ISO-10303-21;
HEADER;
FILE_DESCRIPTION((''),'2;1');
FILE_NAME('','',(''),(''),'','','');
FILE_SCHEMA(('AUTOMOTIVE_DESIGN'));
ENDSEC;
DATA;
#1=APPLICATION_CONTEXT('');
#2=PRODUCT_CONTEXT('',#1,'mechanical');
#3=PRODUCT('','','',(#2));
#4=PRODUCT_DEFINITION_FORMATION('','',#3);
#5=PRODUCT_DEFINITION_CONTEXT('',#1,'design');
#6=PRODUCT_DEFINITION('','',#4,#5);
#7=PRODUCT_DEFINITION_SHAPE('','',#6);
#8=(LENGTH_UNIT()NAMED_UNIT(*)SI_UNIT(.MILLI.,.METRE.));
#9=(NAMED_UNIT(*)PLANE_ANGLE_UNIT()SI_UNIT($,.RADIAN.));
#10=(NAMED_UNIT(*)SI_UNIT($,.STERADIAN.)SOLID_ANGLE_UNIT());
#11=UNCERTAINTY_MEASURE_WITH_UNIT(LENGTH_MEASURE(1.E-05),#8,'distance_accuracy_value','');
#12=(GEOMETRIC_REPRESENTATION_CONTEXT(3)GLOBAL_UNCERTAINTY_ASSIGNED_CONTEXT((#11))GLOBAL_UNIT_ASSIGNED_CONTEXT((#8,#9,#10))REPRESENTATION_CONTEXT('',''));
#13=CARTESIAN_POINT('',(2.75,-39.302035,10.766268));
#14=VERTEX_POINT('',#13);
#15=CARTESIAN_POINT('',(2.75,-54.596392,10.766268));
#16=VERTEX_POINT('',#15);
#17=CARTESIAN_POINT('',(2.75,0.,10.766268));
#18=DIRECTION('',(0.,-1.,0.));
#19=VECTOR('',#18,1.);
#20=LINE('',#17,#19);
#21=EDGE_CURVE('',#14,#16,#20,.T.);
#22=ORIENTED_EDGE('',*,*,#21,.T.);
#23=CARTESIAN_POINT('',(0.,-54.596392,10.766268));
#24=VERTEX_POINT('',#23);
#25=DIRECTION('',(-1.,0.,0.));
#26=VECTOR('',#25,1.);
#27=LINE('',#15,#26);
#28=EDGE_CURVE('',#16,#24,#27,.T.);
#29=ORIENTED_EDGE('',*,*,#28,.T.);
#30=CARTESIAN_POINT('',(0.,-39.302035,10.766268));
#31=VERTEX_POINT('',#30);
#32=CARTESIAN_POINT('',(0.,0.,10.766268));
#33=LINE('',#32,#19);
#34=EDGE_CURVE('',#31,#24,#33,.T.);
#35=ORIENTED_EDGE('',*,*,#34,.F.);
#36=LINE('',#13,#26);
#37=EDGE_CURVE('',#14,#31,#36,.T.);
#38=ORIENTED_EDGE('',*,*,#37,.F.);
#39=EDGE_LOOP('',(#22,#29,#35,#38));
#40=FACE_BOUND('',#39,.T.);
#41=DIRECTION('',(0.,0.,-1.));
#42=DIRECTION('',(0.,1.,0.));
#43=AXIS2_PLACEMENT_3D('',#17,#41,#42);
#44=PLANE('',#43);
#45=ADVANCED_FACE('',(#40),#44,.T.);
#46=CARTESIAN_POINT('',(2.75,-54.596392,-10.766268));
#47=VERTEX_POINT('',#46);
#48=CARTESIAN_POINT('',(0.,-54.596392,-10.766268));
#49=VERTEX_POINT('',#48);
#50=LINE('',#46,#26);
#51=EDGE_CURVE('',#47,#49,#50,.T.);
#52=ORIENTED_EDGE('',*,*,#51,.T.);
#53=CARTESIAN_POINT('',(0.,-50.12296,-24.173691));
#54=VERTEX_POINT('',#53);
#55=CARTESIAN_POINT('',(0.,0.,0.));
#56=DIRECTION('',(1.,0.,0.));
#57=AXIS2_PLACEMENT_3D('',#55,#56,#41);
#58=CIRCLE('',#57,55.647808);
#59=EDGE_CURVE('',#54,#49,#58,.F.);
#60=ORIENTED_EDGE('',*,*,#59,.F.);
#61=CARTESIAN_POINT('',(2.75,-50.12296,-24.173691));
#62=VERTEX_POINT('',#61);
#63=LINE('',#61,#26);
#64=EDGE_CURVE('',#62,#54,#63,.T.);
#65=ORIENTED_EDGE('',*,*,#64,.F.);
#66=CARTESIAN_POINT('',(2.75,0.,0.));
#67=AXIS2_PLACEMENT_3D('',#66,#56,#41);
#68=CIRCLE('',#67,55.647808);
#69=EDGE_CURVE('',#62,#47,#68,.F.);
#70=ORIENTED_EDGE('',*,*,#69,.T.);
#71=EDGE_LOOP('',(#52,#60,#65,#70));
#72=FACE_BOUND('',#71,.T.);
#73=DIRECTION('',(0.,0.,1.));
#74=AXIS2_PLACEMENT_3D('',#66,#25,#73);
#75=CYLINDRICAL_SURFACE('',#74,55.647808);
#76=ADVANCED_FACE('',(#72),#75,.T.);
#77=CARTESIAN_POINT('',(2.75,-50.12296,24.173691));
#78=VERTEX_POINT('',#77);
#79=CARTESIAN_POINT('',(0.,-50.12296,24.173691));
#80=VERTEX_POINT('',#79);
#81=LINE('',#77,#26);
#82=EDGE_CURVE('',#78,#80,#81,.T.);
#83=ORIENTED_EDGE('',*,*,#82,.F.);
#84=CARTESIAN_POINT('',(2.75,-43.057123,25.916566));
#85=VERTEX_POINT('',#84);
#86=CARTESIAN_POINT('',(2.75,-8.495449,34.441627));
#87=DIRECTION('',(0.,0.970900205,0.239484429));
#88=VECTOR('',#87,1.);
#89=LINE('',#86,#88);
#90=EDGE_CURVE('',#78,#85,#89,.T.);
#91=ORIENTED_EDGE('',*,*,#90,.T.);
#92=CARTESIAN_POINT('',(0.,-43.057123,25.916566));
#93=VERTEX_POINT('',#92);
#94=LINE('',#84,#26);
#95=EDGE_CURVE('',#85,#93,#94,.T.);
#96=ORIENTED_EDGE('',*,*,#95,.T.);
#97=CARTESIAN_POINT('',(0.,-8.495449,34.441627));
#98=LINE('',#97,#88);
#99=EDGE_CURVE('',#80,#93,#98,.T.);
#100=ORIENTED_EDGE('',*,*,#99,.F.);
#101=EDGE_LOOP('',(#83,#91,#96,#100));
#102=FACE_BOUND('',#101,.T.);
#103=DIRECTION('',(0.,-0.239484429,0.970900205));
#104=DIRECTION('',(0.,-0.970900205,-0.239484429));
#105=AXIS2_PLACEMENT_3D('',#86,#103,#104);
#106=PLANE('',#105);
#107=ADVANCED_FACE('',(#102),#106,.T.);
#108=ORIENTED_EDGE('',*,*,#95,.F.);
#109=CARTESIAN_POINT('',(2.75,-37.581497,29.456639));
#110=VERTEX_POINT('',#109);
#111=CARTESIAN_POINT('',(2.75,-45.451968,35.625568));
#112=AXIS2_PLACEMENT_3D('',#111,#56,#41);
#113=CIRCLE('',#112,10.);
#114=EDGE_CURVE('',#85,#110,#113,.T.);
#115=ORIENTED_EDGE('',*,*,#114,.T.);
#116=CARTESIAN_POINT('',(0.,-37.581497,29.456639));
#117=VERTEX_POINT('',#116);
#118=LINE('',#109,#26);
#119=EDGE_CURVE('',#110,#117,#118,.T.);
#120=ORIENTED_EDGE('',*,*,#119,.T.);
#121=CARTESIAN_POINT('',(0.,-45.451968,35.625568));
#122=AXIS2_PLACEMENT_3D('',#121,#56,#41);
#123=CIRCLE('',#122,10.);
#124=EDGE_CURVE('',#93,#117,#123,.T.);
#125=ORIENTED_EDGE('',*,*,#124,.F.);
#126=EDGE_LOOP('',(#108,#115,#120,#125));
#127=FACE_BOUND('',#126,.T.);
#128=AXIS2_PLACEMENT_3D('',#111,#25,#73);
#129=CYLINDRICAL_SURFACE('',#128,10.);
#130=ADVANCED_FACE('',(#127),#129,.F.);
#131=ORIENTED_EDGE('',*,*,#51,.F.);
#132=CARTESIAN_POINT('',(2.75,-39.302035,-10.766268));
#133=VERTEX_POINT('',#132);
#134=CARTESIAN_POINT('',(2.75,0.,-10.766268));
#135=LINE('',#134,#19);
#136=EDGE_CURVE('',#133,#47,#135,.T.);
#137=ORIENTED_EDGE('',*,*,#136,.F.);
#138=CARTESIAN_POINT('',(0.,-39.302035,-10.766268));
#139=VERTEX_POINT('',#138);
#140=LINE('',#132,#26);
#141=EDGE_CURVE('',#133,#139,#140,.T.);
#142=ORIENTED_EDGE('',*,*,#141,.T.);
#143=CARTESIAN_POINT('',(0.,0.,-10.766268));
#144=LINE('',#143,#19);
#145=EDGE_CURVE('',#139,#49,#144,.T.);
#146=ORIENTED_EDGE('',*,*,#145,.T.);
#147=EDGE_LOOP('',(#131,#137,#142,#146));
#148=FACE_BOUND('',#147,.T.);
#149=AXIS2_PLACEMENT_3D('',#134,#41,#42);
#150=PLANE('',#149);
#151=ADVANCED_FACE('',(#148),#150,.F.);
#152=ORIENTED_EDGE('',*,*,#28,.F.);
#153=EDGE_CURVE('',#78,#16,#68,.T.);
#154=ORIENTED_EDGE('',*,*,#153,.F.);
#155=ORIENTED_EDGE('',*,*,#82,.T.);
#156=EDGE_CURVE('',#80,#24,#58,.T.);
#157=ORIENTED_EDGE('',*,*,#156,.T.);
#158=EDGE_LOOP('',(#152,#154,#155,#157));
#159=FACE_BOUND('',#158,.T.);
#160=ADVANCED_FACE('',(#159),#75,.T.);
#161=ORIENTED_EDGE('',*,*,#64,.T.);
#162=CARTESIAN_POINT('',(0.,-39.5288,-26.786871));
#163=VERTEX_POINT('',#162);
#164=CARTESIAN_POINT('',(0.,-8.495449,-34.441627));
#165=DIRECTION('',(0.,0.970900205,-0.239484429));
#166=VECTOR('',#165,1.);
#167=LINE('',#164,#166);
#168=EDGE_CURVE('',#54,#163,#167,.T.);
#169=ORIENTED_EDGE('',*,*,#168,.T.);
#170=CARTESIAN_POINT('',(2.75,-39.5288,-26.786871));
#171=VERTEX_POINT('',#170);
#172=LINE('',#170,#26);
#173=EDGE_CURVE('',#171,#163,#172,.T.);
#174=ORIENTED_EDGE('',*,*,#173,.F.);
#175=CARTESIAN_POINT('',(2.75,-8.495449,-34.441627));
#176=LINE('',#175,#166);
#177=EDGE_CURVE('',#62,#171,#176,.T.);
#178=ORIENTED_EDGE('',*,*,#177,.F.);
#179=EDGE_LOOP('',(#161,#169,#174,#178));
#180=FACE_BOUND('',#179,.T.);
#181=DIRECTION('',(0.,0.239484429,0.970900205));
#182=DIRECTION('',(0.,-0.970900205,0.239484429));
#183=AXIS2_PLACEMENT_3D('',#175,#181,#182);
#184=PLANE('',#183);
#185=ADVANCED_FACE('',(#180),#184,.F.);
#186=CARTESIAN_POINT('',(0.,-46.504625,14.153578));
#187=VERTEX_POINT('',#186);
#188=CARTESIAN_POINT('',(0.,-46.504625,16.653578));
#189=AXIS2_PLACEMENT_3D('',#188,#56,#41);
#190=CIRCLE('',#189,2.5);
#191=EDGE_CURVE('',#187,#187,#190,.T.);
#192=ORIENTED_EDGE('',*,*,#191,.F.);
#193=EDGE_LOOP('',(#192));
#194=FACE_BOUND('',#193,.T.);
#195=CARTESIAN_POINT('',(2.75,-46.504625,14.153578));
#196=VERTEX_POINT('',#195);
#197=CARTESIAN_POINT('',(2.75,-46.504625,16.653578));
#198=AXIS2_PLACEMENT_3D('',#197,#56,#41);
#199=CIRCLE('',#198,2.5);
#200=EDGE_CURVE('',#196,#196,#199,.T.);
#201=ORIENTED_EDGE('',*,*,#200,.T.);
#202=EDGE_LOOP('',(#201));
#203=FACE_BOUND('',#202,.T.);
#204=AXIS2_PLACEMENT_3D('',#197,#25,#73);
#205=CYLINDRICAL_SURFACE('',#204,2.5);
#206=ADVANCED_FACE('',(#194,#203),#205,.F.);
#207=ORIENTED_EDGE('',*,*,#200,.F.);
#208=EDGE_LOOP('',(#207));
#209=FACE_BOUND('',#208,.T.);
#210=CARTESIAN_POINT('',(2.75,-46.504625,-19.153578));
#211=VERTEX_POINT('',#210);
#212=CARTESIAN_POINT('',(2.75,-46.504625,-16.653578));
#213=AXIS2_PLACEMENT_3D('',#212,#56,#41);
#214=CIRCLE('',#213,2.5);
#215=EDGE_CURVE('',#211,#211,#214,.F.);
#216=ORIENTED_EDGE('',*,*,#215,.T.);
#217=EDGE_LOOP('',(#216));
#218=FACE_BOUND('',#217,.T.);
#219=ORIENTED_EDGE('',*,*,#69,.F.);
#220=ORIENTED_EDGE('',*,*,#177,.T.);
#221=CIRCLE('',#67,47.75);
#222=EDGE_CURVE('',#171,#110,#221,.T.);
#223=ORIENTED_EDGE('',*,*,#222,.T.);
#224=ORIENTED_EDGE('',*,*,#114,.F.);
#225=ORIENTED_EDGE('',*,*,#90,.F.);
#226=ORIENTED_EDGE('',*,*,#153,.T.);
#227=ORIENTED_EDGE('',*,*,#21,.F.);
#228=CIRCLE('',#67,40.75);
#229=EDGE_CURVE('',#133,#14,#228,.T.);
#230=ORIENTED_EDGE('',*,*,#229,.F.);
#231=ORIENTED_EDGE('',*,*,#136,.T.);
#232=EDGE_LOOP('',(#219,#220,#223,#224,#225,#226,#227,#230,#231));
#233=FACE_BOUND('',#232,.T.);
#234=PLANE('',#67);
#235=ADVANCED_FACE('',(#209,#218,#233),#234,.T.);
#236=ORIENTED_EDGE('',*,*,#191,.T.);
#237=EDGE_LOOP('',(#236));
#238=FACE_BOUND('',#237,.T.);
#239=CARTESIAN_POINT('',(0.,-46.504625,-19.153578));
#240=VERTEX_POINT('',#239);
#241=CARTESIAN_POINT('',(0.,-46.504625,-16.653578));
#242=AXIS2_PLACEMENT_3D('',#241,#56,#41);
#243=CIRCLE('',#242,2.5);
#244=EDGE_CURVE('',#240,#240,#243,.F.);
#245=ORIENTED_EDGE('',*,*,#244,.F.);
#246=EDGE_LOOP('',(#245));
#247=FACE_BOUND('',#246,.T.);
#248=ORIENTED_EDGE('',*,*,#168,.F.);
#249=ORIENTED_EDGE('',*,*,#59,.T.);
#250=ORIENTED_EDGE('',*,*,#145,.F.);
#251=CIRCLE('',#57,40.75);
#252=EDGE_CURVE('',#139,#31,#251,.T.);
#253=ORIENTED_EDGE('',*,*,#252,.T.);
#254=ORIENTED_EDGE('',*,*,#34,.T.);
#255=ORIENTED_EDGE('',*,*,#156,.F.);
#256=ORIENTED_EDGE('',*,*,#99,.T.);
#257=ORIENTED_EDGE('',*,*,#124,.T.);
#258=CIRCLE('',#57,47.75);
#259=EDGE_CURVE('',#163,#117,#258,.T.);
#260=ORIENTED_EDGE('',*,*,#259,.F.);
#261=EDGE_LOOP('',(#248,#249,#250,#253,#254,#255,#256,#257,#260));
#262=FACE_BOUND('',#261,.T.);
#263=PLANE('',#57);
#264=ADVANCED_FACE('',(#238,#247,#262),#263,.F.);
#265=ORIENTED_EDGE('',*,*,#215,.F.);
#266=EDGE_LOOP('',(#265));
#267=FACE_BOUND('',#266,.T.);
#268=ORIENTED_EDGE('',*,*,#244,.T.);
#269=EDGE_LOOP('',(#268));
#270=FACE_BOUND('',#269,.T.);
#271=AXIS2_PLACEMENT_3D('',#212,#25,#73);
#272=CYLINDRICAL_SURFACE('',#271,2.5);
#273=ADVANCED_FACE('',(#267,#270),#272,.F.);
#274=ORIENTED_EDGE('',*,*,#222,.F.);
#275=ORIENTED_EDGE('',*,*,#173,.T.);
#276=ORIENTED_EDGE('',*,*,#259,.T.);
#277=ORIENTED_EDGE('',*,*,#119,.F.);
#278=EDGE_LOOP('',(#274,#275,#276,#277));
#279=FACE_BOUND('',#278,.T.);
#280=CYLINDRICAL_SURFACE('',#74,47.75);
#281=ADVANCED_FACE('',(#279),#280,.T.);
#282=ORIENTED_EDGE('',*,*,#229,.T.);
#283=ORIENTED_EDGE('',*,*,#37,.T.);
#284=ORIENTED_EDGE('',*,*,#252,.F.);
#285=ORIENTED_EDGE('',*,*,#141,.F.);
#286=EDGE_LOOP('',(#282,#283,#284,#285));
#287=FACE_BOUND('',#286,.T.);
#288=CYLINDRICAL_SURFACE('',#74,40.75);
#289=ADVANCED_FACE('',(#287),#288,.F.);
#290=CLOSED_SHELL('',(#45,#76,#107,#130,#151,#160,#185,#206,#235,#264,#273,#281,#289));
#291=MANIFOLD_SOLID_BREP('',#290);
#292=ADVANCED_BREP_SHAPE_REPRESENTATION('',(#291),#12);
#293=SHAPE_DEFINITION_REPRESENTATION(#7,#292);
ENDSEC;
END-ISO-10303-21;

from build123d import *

# Parameters (mm, degrees)
ESQUISSE1_R        = 2.5
BOSS_EXTRU_1_DEPTH = 2.75


with BuildPart() as part:
    # Esquisse1 → Boss.-Extru.1 (new body)
    with BuildSketch(Plane(origin=(0, 0, 0), x_dir=(0, 0, -1), z_dir=(1, 0, 0))):
        with BuildLine():
            ThreePointArc((-25.916566448, -43.057123424), (-27.227783117, -40.022676723), (-29.456638889, -37.581497115))
            ThreePointArc((-29.456638889, -37.581497115), (1.652244952, 47.721405958), (26.786870524, -39.528800482))
            Line((26.786870524, -39.528800482), (24.173691188, -50.122960456))
            ThreePointArc((24.173691188, -50.122960456), (17.612583106, -52.787076324), (10.766267997, -54.596391675))
            Line((10.766267997, -54.596391675), (10.766267997, -39.302035233))
            ThreePointArc((10.766267997, -39.302035233), (0, 40.75), (-10.766267997, -39.302035233))
            Line((-10.766267997, -39.302035233), (-10.766267997, -54.596391675))
            ThreePointArc((-10.766267997, -54.596391675), (-17.612583106, -52.787076324), (-24.173691188, -50.122960456))
            Line((-24.173691188, -50.122960456), (-25.916566448, -43.057123424))
        make_face()
        with Locations((-16.653577526, -46.504624781)):
            Circle(ESQUISSE1_R, mode=Mode.SUBTRACT)
        with Locations((16.653577526, -46.504624781)):
            Circle(ESQUISSE1_R, mode=Mode.SUBTRACT)
    extrude(amount=BOSS_EXTRU_1_DEPTH)


solid = part.part
